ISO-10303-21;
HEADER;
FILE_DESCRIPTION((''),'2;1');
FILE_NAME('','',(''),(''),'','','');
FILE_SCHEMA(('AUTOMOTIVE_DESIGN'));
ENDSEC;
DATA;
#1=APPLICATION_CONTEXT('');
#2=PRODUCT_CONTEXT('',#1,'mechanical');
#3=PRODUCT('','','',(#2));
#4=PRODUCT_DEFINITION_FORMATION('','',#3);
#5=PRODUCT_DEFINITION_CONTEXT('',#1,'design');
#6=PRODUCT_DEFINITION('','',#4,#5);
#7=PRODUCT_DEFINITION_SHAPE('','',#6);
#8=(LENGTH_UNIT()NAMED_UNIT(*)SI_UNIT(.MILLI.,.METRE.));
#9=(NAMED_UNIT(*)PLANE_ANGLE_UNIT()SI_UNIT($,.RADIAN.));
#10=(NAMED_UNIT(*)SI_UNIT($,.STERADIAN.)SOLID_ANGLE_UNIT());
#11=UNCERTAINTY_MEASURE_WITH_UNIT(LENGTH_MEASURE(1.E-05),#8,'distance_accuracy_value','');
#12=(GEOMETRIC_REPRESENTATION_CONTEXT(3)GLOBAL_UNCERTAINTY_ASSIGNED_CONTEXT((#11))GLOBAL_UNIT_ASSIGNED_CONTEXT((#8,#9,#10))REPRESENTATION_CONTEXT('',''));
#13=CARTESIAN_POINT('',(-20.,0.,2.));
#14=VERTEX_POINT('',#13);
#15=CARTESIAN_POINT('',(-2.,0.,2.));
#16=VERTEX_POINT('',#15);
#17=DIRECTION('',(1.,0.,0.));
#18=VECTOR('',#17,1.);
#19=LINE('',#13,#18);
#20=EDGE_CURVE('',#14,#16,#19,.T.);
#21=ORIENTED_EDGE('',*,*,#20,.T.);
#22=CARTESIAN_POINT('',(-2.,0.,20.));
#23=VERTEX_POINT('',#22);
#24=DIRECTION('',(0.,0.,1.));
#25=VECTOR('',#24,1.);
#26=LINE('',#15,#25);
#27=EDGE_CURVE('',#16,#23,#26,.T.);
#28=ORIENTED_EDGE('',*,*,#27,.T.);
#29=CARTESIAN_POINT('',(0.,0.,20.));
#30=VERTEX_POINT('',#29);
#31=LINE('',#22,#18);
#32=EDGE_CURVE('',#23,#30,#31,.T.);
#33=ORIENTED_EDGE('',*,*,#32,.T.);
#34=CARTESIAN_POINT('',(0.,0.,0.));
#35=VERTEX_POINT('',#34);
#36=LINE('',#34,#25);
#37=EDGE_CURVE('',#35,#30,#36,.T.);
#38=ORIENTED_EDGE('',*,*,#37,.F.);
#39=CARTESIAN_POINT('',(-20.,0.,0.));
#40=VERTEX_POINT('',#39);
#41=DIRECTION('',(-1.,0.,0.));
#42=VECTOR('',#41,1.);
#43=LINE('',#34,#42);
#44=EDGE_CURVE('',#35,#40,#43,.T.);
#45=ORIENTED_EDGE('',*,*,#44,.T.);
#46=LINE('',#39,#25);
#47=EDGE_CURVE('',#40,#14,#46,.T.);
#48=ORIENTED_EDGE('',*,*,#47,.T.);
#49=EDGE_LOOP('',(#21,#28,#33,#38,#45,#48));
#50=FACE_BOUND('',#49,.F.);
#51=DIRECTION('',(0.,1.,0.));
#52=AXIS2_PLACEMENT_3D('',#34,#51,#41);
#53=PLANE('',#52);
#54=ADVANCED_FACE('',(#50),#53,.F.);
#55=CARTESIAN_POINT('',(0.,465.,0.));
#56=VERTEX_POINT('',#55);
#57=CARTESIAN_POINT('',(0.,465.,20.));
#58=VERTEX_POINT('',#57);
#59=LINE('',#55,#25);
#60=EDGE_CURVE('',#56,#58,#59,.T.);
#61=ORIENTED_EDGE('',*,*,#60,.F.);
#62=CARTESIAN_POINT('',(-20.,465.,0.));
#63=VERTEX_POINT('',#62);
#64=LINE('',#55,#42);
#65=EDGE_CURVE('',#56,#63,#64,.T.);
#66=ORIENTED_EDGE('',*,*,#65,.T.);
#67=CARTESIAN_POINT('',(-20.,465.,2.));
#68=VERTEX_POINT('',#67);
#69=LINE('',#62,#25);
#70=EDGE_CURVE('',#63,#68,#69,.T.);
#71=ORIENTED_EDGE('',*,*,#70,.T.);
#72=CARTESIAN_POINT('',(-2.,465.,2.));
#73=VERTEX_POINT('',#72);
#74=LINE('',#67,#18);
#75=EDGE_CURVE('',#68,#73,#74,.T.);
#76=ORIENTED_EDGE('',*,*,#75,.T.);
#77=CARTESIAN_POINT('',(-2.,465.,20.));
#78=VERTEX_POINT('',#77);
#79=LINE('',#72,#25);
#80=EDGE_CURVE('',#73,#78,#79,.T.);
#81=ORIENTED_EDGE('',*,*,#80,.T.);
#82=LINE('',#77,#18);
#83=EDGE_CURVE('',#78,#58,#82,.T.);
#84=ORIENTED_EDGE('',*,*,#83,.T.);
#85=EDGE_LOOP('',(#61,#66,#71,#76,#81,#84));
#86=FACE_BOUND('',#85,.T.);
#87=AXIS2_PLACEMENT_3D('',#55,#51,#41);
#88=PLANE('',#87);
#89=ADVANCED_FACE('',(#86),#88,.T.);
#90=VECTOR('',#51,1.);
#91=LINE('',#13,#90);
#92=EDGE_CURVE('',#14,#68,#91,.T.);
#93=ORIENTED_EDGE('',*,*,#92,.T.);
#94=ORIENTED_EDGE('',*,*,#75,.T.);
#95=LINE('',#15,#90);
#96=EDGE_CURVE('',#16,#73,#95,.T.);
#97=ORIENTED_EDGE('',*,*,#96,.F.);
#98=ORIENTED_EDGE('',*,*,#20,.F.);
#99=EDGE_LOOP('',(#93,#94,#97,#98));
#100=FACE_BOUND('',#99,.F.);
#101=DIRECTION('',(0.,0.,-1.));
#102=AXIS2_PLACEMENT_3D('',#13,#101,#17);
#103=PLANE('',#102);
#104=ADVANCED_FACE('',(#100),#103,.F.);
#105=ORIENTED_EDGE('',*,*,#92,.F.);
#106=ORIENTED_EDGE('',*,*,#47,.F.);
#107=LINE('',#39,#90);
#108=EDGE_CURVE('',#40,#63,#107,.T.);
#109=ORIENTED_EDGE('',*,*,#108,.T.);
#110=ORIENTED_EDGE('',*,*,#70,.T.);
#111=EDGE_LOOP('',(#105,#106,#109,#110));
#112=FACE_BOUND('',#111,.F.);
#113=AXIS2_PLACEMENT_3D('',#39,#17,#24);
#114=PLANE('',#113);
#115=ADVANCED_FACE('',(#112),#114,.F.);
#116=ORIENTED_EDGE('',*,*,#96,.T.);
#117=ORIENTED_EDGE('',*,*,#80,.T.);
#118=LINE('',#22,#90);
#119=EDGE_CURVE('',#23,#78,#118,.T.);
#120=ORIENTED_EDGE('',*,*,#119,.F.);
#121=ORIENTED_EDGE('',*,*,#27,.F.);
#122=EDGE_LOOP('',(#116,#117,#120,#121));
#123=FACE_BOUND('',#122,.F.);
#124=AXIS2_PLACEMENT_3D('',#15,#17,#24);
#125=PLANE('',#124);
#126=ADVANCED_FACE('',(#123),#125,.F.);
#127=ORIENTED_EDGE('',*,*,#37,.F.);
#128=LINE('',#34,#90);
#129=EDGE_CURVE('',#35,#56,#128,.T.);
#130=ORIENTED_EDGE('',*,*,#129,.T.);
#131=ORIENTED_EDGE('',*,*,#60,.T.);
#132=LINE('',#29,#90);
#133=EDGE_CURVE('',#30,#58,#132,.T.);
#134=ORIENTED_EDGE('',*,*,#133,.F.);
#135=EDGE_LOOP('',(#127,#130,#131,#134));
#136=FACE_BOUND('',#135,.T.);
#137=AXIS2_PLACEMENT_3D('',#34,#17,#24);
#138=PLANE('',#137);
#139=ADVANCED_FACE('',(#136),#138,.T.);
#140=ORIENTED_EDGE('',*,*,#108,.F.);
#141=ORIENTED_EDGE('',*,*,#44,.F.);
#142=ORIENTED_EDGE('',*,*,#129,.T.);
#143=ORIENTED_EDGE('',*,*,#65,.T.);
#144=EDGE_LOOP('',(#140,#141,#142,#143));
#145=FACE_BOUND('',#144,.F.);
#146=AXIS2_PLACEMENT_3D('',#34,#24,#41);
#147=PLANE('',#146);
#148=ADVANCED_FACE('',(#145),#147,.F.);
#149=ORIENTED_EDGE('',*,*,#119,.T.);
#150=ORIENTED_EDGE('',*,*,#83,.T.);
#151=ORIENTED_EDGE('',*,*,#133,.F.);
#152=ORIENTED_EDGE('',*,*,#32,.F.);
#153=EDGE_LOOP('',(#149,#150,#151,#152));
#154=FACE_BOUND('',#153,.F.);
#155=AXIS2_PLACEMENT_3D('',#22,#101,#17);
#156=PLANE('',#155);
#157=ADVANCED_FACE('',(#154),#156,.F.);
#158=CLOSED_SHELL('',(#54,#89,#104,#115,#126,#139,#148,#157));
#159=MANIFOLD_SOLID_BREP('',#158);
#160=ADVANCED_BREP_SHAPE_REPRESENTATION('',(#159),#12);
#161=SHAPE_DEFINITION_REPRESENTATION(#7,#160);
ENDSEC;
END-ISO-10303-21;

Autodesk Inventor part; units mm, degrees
ref_plane "YZ Plane" through (0, 0, 0) normal (1, 0, 0) x (0, 1, 0)
ref_plane "XZ Plane" through (0, 0, 0) normal (0, 1, 0) x (-1, 0, 0)
ref_plane "XY Plane" through (0, 0, 0) normal (0, 0, 1) x (1, 0, 0)
sketch "Sketch1" plane through (0, 0, 0) normal (0, 1, 0) x (-1, 0, 0)
  line L0 (0, 0) -> (0, 20)
  line L1 (0, 0) -> (20, 0)
  line L2 (20, 0) -> (20, 2)
  line L3 (20, 2) -> (2, 2)
  line L4 (2, 2) -> (2, 20)
  line L5 (2, 20) -> (0, 20)
  dimension "d0" = 20
  dimension "d1" = 20
  dimension "d2" = 2
  dimension "d3" = 2
extrude "Extrusion1" add sketch "Sketch1" along normal blind 465
properties part number "LBracket"
